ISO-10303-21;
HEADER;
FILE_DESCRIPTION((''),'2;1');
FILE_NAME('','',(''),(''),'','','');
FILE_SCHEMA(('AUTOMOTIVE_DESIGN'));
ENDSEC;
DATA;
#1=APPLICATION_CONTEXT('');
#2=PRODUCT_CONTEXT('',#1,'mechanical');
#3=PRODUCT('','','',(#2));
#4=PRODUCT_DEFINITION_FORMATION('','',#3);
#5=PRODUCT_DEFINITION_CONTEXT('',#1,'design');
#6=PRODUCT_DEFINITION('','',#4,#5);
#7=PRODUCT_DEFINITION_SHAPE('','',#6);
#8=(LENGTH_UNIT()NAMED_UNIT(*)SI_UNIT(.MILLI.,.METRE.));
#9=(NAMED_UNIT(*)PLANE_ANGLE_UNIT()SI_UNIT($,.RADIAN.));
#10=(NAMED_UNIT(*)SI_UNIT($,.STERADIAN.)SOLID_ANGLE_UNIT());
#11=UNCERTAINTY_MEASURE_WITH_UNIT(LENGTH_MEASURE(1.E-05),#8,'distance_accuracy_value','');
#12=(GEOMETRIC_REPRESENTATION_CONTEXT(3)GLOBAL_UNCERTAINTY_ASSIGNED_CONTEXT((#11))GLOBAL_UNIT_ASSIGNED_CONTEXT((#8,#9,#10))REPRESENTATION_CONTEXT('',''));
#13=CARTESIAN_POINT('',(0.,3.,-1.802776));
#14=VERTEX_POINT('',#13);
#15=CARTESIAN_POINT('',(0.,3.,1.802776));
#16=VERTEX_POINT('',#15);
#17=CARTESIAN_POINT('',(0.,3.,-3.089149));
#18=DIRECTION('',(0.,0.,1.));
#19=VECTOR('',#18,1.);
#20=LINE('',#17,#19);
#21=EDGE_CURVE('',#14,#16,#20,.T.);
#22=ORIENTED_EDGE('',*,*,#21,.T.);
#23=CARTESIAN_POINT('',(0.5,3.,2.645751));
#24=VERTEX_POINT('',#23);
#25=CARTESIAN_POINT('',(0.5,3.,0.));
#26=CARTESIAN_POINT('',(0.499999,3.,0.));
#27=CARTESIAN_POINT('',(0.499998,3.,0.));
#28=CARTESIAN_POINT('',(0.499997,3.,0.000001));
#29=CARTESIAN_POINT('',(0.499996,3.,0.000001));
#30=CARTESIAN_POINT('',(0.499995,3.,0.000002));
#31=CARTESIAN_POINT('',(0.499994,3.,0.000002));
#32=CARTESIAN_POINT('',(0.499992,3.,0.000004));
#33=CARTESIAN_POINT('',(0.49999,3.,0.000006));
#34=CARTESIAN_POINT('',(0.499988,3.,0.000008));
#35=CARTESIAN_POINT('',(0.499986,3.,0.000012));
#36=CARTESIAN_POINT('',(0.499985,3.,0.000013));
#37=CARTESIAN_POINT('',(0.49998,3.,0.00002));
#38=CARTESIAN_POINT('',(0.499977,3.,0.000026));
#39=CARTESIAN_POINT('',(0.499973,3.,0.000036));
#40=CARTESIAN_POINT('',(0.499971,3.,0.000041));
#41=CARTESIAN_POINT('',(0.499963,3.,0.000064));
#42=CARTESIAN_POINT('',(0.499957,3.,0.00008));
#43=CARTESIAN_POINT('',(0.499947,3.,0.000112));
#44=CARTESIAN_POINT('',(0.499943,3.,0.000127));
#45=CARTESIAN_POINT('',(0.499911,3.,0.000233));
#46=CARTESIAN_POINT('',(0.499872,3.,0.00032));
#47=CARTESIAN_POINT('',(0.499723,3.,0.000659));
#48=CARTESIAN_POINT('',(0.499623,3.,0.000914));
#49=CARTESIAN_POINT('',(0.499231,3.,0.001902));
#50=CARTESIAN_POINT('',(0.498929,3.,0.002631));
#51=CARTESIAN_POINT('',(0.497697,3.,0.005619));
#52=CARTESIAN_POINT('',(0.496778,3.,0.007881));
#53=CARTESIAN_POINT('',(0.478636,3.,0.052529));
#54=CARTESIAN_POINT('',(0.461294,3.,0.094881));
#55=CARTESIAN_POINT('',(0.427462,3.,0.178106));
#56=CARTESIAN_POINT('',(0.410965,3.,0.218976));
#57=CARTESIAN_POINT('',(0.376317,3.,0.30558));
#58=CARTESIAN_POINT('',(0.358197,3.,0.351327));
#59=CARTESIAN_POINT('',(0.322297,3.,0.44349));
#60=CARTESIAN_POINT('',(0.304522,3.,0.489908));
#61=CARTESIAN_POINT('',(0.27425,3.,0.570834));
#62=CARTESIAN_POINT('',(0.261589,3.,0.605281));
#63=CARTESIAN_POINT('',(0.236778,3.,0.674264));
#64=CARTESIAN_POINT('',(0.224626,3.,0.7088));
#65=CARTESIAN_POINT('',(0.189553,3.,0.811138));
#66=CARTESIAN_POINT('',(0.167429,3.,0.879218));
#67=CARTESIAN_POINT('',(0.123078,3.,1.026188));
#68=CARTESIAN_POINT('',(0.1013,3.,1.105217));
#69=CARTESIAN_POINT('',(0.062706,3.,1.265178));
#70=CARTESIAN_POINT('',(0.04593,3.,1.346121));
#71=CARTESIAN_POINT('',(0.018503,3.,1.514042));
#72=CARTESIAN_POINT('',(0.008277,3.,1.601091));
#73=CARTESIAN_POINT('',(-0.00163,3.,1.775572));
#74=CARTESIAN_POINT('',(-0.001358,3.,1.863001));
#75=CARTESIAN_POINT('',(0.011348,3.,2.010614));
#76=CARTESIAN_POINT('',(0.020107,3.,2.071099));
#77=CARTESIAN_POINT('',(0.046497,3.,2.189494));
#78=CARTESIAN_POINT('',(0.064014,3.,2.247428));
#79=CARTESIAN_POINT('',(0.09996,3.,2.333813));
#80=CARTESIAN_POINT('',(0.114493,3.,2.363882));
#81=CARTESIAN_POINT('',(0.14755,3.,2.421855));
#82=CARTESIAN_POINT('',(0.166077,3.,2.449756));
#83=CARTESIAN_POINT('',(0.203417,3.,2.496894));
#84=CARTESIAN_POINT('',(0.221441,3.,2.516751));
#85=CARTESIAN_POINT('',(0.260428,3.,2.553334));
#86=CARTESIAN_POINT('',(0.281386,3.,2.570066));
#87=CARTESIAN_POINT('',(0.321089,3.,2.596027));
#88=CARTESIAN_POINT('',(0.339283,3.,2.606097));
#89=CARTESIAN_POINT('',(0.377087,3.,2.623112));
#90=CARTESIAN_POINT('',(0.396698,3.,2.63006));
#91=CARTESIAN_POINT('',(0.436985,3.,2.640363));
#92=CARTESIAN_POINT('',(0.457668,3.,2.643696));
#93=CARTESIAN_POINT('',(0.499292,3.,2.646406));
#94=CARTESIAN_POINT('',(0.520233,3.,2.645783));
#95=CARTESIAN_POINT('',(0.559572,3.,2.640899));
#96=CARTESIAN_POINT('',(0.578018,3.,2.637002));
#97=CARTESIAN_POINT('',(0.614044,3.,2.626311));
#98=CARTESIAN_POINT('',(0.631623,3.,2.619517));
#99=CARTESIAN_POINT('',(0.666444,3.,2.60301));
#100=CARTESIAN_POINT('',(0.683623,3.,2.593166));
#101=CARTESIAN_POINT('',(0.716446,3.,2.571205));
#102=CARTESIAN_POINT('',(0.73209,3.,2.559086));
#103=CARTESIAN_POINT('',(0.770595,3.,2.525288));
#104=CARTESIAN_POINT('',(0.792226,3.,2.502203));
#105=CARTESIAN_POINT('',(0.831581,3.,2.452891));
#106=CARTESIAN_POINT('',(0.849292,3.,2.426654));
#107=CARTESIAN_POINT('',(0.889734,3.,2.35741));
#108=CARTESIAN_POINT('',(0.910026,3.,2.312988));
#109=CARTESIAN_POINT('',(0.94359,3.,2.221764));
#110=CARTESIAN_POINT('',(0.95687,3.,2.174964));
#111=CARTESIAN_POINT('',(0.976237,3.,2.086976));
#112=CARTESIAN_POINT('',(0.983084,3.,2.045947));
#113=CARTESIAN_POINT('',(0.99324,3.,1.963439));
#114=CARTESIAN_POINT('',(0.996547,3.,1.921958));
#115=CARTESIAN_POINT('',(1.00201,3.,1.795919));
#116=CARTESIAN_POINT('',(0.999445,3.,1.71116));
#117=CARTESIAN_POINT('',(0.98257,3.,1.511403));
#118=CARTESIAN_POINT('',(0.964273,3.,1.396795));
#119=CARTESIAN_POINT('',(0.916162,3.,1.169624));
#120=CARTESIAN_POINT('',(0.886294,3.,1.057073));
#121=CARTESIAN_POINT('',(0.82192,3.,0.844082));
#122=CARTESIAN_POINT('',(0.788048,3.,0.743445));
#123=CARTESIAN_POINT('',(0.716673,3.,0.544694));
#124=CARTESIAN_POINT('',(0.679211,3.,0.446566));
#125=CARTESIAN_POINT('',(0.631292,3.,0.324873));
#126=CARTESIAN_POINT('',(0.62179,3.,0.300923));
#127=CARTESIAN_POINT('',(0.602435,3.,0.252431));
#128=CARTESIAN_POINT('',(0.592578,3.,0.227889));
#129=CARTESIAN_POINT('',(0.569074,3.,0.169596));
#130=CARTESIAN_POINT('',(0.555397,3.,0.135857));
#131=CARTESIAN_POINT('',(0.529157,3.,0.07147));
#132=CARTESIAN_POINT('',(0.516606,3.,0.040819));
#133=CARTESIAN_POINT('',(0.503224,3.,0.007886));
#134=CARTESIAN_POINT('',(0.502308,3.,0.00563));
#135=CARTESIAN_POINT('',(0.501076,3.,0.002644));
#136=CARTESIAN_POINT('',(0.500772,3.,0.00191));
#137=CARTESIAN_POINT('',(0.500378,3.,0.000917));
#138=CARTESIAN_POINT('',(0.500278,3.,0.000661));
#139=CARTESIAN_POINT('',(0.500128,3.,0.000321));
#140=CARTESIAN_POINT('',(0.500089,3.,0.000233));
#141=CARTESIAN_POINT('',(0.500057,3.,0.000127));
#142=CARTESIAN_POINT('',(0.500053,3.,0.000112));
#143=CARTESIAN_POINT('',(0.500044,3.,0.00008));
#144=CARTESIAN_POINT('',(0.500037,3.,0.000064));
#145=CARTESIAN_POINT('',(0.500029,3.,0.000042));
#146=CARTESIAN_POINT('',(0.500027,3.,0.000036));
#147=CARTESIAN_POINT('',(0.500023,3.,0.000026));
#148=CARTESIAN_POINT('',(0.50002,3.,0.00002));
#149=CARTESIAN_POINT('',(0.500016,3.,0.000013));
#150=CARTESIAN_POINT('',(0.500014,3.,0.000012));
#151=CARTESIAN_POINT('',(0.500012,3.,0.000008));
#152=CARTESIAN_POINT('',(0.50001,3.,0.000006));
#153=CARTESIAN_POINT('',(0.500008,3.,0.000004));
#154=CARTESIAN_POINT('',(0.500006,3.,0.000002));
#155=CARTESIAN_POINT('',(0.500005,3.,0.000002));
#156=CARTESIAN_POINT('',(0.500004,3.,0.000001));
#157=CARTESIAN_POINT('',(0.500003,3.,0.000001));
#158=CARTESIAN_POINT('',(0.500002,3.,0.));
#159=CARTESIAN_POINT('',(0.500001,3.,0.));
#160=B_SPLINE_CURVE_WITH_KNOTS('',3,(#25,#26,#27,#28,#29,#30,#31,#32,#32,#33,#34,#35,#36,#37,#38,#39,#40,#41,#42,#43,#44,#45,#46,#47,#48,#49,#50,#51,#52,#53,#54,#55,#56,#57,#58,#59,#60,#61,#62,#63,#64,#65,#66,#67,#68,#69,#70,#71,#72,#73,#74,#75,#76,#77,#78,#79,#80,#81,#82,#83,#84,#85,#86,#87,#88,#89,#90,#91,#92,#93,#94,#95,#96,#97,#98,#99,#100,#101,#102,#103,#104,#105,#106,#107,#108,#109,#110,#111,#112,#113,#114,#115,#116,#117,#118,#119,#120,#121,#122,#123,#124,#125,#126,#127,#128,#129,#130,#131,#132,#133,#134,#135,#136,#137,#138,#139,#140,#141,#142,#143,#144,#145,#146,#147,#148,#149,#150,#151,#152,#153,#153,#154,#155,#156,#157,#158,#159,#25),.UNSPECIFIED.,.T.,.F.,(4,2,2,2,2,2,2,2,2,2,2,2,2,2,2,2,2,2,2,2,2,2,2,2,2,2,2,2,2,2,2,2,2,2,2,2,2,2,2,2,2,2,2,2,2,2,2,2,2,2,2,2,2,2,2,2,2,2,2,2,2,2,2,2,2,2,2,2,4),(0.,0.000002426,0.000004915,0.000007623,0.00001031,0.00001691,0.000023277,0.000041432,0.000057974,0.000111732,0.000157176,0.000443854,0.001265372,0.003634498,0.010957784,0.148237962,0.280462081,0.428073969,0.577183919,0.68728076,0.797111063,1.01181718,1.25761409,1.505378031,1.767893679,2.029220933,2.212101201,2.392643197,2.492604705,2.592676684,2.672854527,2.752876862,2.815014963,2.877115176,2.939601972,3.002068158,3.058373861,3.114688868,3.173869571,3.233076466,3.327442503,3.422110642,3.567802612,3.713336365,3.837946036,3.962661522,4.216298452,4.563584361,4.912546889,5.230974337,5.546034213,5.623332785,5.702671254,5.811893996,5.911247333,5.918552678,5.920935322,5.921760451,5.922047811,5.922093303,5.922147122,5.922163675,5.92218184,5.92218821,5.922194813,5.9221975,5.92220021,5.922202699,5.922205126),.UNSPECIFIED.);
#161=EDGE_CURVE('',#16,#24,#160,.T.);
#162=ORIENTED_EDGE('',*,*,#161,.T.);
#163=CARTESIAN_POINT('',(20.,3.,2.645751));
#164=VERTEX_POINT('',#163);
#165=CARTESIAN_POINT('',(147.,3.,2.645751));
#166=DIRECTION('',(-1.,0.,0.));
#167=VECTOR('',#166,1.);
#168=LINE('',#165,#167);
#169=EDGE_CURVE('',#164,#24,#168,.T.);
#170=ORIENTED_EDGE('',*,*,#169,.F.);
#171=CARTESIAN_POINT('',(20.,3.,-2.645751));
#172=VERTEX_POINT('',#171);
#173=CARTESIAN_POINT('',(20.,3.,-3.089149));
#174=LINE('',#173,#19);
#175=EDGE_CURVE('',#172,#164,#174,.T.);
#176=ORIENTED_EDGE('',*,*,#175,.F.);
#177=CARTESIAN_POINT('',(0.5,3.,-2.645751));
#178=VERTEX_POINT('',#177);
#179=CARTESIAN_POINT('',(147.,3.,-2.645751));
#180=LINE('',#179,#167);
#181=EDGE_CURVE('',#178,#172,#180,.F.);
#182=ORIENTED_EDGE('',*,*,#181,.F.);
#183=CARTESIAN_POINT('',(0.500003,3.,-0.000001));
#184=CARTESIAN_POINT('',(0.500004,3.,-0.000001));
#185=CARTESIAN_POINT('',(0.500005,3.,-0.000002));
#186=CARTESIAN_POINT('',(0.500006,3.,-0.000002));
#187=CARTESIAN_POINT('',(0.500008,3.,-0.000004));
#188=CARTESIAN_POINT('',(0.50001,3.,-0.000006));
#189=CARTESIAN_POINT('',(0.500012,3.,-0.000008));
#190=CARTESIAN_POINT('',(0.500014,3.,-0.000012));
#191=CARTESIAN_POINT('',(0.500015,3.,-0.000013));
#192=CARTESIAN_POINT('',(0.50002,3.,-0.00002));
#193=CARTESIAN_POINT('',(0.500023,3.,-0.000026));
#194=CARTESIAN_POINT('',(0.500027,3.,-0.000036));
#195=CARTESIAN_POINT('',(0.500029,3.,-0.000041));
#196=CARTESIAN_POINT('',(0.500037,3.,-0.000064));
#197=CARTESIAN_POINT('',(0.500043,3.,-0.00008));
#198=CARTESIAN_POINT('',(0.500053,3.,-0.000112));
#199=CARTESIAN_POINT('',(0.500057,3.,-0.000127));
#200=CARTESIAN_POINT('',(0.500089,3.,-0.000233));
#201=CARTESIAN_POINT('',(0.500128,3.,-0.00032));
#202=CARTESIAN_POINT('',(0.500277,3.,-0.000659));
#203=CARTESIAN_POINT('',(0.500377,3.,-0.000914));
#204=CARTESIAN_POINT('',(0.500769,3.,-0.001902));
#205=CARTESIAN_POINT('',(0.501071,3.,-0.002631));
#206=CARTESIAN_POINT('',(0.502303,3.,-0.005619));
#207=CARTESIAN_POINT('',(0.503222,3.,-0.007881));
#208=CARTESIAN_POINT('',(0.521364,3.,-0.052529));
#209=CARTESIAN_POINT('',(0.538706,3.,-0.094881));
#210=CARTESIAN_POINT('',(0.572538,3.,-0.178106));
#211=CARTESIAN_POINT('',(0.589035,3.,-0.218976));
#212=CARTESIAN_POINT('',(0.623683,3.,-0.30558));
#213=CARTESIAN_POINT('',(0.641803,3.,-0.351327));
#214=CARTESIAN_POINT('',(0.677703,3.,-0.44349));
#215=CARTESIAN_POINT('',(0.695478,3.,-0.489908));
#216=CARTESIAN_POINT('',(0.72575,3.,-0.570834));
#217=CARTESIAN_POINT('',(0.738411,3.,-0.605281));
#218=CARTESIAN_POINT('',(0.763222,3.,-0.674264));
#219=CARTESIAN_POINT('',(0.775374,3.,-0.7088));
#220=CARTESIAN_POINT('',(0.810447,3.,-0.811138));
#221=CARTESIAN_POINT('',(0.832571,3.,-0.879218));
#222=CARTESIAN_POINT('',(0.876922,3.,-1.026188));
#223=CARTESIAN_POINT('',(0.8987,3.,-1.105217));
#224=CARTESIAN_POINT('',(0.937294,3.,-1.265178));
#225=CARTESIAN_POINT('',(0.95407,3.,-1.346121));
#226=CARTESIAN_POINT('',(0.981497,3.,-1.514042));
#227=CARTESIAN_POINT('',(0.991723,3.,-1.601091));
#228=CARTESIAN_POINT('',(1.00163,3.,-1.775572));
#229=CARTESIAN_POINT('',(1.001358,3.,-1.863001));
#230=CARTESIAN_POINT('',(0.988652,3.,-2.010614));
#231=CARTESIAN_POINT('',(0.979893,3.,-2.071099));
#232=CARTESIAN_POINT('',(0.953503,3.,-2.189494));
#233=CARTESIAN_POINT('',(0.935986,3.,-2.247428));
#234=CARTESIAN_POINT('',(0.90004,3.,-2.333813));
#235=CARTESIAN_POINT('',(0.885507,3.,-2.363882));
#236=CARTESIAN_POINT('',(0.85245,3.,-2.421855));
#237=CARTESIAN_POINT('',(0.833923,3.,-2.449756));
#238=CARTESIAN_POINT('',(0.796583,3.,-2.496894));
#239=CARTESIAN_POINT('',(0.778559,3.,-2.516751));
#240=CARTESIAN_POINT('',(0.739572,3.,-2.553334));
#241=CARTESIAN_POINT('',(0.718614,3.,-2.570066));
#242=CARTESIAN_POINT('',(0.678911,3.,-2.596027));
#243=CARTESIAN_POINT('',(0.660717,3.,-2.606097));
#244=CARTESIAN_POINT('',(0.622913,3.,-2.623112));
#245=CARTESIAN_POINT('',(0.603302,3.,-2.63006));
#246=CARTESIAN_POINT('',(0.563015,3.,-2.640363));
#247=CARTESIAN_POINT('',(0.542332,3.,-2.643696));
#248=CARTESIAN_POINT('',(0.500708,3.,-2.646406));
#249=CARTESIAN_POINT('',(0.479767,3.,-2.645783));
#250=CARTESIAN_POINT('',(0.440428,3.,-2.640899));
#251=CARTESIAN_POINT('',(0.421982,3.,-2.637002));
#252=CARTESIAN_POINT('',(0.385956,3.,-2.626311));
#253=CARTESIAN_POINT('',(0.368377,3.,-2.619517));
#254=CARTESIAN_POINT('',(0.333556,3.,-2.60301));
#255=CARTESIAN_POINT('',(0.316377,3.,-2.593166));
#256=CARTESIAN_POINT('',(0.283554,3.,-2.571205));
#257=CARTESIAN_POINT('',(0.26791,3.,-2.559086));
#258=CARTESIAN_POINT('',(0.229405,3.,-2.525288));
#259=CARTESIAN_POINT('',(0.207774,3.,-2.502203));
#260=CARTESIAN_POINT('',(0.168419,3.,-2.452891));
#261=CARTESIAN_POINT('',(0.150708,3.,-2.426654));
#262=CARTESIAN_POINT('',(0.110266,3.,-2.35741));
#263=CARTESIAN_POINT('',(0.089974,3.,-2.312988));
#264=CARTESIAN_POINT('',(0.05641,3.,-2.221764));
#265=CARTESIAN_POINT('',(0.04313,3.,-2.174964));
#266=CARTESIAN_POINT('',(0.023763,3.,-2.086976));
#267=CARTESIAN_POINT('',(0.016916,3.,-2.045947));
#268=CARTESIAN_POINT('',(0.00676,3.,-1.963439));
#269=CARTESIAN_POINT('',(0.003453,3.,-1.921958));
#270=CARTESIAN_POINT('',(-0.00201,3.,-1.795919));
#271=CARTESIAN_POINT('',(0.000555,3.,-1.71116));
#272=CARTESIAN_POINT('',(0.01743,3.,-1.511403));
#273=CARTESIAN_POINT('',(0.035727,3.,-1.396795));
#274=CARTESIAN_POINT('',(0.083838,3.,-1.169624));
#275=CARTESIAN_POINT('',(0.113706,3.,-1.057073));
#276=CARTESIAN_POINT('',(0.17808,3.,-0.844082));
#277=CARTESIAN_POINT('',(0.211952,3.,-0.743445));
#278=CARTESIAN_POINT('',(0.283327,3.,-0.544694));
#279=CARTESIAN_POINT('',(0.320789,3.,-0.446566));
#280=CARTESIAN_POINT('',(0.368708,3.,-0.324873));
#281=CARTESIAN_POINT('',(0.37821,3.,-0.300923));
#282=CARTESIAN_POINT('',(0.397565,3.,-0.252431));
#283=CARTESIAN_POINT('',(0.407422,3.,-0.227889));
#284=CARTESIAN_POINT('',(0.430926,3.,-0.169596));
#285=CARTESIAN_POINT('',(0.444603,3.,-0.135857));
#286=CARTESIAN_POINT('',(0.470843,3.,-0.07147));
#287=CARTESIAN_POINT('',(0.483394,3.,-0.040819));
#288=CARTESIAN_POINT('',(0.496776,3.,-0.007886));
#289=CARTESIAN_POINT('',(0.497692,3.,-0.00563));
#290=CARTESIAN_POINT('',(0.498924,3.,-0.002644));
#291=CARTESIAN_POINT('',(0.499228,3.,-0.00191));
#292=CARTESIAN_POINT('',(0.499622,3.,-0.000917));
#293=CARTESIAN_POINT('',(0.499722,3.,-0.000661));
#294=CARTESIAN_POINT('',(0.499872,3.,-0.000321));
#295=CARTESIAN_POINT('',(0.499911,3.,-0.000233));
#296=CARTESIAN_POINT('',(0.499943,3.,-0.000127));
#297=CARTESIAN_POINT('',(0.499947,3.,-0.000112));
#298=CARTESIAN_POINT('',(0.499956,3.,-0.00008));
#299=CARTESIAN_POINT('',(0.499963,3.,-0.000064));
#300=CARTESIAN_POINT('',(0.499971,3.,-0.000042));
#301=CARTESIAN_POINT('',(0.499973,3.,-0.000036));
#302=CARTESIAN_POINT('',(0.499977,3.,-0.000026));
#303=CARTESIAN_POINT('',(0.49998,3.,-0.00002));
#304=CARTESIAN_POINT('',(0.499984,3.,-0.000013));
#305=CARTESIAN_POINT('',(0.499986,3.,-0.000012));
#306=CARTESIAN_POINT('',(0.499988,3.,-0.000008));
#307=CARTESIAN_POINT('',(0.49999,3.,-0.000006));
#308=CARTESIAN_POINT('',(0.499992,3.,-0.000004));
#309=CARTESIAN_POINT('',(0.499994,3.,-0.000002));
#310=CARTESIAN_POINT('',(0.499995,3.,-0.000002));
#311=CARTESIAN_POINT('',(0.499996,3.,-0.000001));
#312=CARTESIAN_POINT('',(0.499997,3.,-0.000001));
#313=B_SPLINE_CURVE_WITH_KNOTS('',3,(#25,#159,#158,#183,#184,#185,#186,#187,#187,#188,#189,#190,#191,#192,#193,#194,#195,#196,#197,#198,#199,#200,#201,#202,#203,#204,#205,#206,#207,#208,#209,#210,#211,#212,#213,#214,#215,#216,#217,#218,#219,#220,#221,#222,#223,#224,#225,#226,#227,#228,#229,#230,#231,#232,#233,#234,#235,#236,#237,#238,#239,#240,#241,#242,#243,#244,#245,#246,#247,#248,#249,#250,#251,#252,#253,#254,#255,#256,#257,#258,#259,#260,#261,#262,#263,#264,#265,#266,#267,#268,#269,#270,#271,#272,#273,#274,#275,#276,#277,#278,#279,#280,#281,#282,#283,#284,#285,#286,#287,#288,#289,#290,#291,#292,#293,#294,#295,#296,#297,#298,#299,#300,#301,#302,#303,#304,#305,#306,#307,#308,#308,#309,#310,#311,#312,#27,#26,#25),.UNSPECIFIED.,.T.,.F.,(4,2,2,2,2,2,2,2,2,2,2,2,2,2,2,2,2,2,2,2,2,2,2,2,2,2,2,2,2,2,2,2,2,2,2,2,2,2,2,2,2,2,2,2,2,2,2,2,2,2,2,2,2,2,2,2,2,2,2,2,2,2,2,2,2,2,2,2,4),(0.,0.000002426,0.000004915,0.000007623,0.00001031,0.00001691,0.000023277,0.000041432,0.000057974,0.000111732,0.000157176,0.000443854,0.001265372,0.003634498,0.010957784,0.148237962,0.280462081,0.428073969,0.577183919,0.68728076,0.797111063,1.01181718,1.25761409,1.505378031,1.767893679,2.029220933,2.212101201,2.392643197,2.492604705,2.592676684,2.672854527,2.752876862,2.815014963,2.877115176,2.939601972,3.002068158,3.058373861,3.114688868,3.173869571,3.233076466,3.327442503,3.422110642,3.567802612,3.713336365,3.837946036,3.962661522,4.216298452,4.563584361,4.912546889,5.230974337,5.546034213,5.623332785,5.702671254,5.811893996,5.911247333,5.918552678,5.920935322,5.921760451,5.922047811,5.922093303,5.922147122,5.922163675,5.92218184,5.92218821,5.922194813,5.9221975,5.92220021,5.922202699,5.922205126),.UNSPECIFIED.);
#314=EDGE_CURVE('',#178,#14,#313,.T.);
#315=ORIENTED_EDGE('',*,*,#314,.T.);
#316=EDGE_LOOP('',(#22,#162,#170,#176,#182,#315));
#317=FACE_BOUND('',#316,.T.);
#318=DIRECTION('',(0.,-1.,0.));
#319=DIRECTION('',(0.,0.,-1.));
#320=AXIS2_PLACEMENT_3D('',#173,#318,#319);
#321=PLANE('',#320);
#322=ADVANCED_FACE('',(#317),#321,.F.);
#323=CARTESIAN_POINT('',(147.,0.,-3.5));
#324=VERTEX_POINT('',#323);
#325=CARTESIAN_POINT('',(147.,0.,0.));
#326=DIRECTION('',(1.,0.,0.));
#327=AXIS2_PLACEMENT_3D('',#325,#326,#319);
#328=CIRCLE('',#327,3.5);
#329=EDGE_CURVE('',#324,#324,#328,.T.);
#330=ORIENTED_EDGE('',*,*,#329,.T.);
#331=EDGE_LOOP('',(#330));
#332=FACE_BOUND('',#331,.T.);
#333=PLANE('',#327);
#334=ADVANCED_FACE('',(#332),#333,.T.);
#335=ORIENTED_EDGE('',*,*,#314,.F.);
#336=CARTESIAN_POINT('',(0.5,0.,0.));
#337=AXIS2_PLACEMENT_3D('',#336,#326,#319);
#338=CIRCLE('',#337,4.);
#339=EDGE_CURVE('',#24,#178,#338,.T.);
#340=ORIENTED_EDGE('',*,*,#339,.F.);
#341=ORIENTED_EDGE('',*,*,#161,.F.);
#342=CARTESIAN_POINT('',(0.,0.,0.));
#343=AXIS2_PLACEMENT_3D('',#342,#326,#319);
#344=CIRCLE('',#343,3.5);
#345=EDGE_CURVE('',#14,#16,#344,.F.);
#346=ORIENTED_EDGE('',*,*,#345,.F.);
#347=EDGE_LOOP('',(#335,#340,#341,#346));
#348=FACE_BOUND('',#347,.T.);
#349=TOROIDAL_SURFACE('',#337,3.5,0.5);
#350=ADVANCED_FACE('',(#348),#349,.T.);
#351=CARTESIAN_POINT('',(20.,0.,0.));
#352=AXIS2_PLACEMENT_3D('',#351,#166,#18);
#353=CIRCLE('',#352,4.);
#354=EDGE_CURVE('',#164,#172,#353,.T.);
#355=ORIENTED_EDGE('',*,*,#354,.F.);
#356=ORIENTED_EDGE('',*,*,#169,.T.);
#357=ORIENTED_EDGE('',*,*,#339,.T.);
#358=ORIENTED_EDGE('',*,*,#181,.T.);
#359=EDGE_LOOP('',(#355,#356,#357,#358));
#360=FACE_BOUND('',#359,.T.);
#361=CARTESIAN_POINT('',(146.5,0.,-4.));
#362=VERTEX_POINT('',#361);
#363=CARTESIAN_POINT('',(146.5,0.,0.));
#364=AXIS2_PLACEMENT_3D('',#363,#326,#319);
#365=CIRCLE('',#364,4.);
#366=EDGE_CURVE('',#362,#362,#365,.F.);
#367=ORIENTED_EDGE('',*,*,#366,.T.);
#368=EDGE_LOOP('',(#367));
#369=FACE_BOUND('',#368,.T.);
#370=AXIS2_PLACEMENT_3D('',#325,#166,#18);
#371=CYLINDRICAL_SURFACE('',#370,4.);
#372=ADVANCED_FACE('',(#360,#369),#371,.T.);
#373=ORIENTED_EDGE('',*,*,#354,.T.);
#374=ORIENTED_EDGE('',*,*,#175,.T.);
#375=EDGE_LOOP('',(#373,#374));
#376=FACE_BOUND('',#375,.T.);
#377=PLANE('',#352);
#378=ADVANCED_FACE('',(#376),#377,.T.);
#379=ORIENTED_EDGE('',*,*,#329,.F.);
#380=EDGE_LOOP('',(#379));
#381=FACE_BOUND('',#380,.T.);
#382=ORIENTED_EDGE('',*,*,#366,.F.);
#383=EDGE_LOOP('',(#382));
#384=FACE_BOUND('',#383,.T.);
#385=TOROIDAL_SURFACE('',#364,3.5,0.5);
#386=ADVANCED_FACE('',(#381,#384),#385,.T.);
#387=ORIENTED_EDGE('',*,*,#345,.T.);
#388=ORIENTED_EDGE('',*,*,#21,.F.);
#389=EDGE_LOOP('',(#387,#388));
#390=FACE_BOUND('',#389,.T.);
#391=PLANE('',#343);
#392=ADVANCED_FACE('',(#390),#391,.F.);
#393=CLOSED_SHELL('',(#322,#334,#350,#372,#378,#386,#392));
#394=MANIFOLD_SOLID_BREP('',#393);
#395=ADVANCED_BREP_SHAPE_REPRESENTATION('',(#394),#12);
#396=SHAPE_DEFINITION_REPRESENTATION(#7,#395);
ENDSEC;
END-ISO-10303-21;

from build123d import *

# Parameters (mm, degrees)
SKETCH1_R           = 4
BOSS_EXTRUDE1_DEPTH = 147
FILLET1_R           = 0.5
SKETCH2_W           = 6.178297582
SKETCH2_H           = 2
CUT_EXTRUDE1_DEPTH  = 20


with BuildPart() as part:
    # Sketch1 → Boss-Extrude1 (new body)
    with BuildSketch(Plane(origin=(0, 0, 0), x_dir=(0, 0, -1), z_dir=(1, 0, 0))):
        Circle(SKETCH1_R)
    extrude(amount=BOSS_EXTRUDE1_DEPTH)

    # Fillet1
    fillet1_edges = [part.edges().sort_by_distance(p)[0] for p in [
        (0, 0, 4),
        (147, 0, 4),
    ]]
    fillet(fillet1_edges, radius=FILLET1_R)

    # Sketch2 → Cut-Extrude1 (cut)
    with BuildSketch(Plane.ZY):
        with Locations((0, 4)):
            Rectangle(SKETCH2_W, SKETCH2_H)
    extrude(amount=-CUT_EXTRUDE1_DEPTH, mode=Mode.SUBTRACT)


solid = part.part
